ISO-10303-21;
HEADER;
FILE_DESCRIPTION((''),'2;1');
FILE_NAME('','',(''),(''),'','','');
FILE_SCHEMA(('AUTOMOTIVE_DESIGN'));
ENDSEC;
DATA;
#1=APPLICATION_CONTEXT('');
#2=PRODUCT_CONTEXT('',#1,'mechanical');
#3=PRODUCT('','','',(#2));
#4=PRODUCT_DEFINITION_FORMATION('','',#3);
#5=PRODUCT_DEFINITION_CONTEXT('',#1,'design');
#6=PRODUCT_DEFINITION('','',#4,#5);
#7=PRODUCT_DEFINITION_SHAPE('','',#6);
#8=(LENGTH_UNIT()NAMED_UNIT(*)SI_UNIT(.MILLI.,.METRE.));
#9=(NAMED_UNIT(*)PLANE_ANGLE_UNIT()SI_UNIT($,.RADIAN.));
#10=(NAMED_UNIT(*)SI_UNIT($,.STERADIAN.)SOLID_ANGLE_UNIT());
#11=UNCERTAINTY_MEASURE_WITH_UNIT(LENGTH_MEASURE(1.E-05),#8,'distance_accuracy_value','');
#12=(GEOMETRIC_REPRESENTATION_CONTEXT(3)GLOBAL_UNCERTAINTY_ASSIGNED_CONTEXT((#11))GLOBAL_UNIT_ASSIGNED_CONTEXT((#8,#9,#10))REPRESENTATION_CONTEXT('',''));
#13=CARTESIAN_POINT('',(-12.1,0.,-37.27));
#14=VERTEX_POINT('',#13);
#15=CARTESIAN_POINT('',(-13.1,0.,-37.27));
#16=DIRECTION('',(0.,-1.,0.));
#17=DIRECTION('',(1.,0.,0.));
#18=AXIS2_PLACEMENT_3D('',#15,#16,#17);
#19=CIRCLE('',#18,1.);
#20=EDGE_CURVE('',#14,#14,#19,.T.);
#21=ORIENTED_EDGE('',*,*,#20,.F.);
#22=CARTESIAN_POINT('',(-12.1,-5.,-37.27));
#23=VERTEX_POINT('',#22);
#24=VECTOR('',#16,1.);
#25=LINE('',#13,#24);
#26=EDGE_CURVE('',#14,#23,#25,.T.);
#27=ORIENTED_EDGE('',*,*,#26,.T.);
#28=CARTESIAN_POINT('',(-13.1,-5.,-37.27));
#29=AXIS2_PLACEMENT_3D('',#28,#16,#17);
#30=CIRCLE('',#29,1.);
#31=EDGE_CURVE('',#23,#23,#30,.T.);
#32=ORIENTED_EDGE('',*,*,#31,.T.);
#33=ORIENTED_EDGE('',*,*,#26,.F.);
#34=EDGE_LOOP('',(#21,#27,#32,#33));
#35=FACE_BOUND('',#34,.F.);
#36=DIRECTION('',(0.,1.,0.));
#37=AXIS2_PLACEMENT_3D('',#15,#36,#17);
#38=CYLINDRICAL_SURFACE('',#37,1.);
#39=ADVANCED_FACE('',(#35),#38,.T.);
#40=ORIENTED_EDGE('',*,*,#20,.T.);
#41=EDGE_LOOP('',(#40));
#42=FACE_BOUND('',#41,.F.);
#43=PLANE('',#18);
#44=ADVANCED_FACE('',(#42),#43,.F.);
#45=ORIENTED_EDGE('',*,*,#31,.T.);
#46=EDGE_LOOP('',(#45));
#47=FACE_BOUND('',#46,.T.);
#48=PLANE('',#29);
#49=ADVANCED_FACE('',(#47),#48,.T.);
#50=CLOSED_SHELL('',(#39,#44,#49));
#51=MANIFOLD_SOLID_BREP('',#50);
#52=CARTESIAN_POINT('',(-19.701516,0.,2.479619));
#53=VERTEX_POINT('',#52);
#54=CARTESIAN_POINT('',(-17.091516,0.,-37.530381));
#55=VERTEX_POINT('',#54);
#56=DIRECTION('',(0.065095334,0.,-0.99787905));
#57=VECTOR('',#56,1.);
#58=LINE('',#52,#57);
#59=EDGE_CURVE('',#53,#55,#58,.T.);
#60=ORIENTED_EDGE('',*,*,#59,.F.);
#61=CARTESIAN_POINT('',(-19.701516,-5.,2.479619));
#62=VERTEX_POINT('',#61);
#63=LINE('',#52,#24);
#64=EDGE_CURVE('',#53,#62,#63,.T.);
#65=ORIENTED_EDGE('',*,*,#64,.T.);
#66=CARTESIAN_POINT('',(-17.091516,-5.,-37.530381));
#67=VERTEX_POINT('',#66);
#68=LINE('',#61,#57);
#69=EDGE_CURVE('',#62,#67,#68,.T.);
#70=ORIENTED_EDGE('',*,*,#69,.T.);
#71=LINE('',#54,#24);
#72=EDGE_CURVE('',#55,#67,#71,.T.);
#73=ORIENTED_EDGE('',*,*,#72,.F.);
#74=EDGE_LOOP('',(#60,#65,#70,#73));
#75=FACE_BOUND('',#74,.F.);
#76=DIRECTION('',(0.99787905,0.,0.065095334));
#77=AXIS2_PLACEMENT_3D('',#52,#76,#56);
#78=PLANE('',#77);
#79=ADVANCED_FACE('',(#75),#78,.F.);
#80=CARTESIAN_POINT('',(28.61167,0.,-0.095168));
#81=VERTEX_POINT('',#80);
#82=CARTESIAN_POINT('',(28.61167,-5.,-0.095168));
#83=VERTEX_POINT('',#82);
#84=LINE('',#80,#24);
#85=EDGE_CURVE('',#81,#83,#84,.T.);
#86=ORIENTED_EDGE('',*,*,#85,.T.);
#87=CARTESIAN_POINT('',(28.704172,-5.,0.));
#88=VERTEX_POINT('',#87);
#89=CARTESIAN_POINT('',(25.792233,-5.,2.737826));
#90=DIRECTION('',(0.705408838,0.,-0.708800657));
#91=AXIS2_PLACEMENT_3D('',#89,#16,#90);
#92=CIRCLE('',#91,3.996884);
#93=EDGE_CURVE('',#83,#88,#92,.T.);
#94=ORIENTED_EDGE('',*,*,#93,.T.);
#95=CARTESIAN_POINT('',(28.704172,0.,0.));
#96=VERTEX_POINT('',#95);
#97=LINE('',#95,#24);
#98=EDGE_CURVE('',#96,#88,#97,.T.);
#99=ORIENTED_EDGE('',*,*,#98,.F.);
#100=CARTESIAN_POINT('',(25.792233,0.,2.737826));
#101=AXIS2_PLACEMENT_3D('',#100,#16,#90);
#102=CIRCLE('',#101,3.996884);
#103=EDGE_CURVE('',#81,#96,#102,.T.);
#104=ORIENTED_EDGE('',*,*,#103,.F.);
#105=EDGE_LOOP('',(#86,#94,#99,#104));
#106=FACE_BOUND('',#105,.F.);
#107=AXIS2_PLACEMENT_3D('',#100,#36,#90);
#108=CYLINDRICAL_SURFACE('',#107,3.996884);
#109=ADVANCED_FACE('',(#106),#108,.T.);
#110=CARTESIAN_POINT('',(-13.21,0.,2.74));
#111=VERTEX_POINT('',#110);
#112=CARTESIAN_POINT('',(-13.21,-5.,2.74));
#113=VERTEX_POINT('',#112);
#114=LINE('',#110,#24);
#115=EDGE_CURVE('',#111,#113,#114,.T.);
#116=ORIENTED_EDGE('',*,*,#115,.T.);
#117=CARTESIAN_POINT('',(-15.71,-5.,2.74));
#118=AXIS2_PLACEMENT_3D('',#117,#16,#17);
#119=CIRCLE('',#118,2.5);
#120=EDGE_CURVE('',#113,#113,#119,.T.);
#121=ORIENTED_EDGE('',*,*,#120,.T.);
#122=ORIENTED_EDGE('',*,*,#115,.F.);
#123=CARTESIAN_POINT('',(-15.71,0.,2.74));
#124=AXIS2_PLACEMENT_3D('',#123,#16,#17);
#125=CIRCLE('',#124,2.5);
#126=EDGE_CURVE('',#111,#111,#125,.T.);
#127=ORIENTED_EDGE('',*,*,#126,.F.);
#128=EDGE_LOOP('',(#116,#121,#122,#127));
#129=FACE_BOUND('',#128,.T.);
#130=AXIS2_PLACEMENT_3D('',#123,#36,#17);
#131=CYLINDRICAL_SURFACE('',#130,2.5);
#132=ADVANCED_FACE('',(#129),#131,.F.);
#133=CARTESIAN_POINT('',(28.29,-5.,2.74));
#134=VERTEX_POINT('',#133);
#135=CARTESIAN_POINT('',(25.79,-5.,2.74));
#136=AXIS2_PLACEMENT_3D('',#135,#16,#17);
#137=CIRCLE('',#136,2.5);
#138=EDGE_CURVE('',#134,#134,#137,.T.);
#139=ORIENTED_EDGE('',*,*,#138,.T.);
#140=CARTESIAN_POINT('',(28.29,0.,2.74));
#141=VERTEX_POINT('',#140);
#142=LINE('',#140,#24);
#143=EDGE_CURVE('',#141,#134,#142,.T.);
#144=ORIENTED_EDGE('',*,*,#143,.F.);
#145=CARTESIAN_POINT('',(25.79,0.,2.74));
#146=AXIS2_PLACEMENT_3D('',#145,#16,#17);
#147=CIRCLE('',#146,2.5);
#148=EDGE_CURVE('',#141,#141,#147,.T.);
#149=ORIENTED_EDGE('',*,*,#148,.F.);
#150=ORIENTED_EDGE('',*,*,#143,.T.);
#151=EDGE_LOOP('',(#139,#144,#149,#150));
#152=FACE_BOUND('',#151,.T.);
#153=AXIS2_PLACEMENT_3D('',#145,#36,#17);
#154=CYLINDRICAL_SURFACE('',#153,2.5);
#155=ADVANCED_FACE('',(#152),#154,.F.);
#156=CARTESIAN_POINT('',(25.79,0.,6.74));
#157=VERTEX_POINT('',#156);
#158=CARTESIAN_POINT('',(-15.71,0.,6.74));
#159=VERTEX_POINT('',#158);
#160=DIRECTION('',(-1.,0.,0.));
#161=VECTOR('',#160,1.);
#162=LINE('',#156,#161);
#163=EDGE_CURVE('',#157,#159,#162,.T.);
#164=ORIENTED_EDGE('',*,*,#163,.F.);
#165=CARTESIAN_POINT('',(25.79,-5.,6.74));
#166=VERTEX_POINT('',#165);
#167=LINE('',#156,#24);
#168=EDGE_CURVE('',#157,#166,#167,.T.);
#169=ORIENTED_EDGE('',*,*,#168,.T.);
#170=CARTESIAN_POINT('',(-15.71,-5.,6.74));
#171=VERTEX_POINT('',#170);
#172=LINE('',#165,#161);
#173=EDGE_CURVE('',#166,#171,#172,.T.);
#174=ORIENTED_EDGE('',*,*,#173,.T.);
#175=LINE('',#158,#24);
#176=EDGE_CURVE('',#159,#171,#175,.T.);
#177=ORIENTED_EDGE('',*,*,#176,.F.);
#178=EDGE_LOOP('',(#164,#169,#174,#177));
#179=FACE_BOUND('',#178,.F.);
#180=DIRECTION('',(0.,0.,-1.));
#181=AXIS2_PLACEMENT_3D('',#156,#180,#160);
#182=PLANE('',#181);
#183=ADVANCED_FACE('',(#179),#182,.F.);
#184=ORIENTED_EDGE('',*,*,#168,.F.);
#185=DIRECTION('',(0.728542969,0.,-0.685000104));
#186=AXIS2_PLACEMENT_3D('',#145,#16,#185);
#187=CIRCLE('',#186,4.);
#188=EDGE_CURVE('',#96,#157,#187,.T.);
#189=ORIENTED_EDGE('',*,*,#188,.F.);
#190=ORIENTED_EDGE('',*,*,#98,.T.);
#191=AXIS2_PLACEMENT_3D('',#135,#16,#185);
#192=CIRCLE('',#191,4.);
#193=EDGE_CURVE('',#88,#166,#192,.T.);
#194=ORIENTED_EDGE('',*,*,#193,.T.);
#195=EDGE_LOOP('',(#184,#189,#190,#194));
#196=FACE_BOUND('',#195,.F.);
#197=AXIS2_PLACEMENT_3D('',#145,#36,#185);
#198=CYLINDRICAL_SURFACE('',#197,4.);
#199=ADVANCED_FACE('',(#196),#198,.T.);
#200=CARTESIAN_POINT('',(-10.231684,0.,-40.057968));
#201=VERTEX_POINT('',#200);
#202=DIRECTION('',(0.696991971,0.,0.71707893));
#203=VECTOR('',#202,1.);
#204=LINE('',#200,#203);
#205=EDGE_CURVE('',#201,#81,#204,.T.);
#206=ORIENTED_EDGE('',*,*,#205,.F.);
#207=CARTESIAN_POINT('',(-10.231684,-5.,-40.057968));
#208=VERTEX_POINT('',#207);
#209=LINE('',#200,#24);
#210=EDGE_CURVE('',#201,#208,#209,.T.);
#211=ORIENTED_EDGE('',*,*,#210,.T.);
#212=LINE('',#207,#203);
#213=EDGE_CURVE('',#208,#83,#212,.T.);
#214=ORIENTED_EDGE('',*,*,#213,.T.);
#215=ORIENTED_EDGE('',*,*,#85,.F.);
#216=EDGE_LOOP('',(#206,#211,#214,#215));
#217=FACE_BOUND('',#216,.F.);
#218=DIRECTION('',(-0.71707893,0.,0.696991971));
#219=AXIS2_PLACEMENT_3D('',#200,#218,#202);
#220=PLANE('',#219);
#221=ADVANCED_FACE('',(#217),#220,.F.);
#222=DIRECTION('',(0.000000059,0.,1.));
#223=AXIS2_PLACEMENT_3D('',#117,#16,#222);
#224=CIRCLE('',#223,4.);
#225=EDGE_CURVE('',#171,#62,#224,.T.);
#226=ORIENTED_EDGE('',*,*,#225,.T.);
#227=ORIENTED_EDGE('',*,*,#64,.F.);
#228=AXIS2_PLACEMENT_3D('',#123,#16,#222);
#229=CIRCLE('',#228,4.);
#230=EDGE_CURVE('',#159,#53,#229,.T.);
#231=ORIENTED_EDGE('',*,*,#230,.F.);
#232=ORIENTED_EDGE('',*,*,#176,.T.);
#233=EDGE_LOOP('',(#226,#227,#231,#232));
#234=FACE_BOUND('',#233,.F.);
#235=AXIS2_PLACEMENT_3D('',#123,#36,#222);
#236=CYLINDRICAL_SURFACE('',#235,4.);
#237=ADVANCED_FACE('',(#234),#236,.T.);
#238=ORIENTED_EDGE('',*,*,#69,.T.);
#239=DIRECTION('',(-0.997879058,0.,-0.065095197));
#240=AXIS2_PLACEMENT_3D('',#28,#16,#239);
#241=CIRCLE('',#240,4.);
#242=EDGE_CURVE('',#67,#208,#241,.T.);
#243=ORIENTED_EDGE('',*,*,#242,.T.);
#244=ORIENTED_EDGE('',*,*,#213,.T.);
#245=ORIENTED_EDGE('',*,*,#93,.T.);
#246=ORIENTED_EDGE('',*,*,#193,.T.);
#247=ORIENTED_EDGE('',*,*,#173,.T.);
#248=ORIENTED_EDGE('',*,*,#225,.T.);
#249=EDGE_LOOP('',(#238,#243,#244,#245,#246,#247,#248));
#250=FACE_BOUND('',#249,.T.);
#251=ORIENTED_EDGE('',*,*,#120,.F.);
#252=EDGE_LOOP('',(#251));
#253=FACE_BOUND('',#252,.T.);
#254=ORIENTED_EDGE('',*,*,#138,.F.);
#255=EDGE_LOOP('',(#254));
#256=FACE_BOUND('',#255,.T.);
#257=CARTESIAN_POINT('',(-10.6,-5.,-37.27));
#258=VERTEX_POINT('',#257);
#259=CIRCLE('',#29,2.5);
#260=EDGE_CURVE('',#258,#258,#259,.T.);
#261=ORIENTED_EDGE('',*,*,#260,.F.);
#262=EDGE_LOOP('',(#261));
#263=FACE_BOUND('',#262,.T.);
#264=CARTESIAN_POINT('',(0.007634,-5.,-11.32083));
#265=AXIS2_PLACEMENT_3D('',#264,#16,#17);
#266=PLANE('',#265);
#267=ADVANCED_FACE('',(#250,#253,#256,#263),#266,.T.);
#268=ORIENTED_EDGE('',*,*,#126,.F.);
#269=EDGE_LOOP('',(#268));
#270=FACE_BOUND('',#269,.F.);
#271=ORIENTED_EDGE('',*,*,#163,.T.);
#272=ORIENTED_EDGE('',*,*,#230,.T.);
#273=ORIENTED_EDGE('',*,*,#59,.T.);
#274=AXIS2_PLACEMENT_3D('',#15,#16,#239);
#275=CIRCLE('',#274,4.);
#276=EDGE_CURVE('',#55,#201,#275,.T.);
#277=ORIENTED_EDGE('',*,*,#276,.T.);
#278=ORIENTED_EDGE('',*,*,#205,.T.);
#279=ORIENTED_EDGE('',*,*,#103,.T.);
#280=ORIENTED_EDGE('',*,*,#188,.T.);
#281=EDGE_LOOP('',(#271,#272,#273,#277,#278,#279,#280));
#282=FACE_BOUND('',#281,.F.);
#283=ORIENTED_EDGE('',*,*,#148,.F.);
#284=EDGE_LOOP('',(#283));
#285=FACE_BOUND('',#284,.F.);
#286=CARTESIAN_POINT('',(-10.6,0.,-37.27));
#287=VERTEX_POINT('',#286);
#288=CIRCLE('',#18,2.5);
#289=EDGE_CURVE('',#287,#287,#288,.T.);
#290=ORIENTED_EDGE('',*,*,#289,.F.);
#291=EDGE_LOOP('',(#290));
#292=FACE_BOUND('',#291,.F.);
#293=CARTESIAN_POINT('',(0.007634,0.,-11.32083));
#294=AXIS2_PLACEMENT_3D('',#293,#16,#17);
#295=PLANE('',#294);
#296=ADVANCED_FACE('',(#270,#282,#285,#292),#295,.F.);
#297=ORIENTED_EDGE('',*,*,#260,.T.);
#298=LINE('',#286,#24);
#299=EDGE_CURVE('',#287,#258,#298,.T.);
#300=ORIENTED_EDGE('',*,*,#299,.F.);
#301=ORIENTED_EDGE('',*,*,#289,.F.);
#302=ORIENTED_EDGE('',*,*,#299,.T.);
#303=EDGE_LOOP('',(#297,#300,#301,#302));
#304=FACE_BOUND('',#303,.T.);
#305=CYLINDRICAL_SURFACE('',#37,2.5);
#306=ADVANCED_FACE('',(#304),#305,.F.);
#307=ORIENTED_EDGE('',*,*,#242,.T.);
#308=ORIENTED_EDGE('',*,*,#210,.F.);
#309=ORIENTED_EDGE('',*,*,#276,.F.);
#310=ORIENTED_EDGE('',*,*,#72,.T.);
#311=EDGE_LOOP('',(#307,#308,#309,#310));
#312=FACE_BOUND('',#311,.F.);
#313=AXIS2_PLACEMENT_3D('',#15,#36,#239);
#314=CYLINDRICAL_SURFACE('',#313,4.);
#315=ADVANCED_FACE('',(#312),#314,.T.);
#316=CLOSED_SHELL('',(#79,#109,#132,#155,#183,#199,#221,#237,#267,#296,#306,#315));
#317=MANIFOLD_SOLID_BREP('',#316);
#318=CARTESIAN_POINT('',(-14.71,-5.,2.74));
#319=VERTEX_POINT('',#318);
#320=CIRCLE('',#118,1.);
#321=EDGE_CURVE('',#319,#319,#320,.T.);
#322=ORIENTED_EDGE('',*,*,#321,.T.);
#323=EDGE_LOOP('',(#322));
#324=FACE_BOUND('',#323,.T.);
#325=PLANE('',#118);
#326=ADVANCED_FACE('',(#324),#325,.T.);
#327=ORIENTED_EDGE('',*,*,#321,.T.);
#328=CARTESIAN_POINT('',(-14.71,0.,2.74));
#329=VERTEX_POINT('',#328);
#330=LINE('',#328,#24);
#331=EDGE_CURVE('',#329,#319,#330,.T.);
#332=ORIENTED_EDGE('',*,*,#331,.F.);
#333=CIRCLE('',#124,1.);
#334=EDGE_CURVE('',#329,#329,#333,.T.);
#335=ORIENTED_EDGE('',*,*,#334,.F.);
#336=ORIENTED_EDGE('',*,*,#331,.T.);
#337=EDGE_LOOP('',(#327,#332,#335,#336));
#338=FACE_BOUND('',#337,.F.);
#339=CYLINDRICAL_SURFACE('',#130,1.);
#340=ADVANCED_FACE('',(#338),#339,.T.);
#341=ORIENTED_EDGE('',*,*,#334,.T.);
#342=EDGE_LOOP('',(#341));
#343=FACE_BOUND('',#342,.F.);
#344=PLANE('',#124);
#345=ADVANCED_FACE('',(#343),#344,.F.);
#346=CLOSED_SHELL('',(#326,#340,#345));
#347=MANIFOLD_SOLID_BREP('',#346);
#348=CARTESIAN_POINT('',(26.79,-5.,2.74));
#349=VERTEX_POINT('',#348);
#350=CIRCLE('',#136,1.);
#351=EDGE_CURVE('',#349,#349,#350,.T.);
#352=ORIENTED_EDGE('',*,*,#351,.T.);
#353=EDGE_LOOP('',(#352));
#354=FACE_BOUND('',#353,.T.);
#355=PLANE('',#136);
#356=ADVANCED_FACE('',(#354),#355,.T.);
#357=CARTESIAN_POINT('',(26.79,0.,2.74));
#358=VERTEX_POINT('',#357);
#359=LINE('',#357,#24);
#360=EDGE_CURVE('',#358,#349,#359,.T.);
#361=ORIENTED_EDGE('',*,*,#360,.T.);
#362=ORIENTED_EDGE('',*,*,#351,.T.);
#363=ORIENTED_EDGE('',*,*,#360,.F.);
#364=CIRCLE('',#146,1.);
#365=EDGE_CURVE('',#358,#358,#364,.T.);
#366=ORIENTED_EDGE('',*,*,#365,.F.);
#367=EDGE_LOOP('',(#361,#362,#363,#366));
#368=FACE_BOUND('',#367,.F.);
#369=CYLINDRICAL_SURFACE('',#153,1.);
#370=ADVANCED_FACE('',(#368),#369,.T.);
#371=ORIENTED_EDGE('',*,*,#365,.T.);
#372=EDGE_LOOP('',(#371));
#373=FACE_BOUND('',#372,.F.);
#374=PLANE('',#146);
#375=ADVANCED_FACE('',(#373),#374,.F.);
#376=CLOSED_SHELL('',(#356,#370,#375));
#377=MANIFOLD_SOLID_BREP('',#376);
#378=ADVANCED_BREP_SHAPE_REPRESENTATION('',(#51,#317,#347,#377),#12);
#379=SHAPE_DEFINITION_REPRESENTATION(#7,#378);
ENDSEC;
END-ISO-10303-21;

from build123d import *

# Parameters (mm, degrees)
F0_R     = 2.5
F0_R_2   = 1
F1_DEPTH = 5


with BuildPart() as f1:
    # F0 (on Front) → F1 (new body)
    with BuildSketch(Plane.XZ):
        with BuildLine():
            Line((25.79, 6.74), (-15.71, 6.74))
            ThreePointArc((-15.71, 6.74), (-18.629035, 5.474819), (-19.701516, 2.479619))
            Line((-19.701516, 2.479619), (-17.091516, -37.530381))
            ThreePointArc((-17.091516, -37.530381), (-14.482956, -41.023323), (-10.231684, -40.057968))
            Line((-10.231684, -40.057968), (28.61167, -0.095168))
            Line((28.61167, -0.095168), (28.704172, 0))
            ThreePointArc((28.704172, 0), (29.461512, 4.327451), (25.79, 6.74))
        make_face()
        with Locations((-13.1, -37.27)):
            Circle(F0_R, mode=Mode.SUBTRACT)
        with Locations((-15.71, 2.74)):
            Circle(F0_R, mode=Mode.SUBTRACT)
        with Locations((25.79, 2.74)):
            Circle(F0_R, mode=Mode.SUBTRACT)
        with BuildLine():
            ThreePointArc((28.61167, -0.095168), (28.658316, -0.047968), (28.704172, 0))
            Line((28.704172, 0), (28.61167, -0.095168))
        make_face()
        with Locations((-15.71, 2.74)):
            Circle(F0_R_2)
        with Locations((-13.1, -37.27)):
            Circle(F0_R_2)
        with Locations((25.79, 2.74)):
            Circle(F0_R_2)
    extrude(amount=F1_DEPTH)


solid = f1.part
